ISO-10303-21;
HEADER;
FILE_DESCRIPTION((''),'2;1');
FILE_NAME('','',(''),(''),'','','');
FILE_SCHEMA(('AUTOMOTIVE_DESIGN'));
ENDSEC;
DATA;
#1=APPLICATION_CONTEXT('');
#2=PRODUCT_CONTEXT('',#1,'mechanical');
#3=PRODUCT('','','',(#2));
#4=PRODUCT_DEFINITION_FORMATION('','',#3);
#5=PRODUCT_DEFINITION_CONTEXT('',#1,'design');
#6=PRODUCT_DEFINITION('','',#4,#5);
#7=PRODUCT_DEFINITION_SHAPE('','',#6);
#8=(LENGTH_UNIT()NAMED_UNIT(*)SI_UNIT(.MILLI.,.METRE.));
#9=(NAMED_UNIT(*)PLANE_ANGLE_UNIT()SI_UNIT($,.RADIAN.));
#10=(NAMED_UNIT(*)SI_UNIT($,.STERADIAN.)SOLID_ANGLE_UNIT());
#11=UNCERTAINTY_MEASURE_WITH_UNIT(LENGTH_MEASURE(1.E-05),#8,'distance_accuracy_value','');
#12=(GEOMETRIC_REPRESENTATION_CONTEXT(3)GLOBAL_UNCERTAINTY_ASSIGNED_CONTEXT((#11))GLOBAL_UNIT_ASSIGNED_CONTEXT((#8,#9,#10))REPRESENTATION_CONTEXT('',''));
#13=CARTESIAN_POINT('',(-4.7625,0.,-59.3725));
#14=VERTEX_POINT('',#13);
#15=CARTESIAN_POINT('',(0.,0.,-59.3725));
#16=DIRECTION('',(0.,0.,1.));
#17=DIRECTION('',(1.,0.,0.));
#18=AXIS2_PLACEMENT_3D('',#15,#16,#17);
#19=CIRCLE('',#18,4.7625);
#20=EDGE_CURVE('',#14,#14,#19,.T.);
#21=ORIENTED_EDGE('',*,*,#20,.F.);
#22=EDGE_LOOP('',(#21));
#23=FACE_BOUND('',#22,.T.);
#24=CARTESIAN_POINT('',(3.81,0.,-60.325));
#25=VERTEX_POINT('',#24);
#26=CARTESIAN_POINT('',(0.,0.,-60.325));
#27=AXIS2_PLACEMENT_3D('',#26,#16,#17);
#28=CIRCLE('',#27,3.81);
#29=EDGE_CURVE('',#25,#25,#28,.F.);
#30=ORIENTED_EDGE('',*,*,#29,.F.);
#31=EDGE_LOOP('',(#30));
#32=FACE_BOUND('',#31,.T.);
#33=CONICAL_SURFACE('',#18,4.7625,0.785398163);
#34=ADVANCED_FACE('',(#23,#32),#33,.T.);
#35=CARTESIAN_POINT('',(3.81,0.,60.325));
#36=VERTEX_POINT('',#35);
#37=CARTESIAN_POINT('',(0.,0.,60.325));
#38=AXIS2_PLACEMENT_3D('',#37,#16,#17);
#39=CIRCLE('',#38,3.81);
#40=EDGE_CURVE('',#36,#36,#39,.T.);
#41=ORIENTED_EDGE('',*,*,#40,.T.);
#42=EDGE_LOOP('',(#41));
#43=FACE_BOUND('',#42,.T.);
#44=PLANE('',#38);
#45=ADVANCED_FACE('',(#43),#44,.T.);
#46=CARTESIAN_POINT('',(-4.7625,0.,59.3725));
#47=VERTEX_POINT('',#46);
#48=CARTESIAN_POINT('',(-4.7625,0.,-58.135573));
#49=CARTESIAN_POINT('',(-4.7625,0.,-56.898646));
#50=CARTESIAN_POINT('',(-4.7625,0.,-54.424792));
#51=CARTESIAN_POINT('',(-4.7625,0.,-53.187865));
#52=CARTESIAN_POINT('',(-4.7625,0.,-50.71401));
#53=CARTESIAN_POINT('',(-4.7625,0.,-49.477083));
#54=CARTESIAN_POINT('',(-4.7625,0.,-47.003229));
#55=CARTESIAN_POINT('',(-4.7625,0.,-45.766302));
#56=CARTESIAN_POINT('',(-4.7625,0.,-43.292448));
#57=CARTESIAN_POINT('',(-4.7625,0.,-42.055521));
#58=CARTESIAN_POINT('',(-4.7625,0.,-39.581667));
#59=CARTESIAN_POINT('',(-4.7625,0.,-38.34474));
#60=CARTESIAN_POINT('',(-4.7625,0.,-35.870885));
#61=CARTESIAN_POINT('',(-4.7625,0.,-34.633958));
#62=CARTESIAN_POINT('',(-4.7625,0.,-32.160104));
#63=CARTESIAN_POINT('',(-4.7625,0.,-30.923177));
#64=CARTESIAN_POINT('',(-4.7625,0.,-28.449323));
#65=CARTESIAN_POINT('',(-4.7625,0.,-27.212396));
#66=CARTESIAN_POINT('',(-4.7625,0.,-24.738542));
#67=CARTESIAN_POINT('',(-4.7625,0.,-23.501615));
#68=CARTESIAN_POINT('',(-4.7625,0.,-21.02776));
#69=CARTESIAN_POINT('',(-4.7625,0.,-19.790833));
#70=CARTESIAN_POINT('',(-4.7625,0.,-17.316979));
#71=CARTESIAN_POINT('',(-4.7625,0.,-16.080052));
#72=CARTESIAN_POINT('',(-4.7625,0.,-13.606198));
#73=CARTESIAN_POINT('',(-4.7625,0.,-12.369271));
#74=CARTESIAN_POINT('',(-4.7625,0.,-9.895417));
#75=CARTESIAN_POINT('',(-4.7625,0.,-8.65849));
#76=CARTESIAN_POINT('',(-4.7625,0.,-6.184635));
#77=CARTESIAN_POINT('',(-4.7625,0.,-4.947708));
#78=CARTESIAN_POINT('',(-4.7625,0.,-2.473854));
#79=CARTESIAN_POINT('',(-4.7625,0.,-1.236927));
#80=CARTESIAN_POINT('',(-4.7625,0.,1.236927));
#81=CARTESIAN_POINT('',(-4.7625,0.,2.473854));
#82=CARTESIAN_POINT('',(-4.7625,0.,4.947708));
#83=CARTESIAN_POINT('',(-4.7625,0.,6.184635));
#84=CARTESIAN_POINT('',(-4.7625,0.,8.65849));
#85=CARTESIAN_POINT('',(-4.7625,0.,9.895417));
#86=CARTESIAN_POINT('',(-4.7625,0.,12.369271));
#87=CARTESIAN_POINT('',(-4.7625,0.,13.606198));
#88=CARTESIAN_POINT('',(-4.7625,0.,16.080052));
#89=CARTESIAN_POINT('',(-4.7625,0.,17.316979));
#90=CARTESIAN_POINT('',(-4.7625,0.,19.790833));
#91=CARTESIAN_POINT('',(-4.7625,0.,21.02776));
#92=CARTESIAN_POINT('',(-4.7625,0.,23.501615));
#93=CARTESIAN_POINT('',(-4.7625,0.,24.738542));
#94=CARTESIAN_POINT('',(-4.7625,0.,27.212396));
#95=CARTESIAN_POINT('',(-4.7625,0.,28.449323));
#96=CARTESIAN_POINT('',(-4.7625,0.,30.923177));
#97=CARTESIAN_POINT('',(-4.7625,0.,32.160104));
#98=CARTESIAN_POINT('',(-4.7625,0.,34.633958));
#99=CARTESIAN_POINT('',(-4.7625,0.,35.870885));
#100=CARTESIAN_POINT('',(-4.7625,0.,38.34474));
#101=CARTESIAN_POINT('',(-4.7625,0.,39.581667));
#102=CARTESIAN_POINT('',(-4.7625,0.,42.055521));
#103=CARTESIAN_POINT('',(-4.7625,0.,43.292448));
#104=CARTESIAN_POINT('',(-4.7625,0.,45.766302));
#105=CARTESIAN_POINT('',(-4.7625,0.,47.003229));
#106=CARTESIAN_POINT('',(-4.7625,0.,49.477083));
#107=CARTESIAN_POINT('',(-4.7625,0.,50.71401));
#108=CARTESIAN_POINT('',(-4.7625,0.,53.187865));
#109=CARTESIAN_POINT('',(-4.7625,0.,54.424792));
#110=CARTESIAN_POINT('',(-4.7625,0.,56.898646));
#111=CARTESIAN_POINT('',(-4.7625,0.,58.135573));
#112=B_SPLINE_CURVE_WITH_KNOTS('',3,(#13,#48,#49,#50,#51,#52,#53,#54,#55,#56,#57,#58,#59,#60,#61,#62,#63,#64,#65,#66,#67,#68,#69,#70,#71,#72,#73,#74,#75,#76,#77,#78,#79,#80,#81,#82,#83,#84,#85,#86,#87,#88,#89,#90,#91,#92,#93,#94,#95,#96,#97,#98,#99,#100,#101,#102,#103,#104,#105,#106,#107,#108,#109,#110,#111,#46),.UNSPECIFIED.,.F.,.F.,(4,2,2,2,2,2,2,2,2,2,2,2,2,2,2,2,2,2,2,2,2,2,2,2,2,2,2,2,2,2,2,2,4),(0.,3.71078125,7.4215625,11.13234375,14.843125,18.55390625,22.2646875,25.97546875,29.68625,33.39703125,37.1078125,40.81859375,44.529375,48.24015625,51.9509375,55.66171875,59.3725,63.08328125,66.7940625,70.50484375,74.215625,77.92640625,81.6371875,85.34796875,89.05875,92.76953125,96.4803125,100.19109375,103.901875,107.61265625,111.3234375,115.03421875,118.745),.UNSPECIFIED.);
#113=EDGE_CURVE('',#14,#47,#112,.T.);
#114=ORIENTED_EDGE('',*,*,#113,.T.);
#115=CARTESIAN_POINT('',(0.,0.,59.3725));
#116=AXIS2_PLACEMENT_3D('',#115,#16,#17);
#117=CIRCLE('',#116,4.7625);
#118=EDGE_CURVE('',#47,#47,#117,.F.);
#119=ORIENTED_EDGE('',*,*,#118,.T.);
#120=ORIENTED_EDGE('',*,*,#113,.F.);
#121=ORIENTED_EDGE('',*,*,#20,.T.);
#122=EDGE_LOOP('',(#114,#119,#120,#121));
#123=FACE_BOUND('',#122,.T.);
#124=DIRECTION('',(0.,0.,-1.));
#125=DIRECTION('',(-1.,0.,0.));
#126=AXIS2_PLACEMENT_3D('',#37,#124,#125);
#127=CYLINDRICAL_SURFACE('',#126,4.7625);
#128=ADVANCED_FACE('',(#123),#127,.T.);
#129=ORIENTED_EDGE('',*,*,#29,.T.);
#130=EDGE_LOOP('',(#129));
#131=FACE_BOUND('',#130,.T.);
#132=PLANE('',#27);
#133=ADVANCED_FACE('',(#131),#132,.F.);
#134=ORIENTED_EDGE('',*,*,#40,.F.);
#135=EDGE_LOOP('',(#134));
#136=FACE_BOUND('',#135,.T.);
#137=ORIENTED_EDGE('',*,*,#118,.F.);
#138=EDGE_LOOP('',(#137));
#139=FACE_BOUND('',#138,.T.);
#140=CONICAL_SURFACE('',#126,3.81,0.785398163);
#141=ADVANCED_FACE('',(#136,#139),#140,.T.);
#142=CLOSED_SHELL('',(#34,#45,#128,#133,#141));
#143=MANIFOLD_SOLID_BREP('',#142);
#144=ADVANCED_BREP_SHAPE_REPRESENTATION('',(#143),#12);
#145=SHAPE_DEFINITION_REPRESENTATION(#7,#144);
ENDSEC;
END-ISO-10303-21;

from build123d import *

# Parameters (mm, degrees)
SKETCH3_R           = 4.7625
BOSS_EXTRUDE1_DEPTH = 60.325
CHAMFER1_SIZE       = 0.9525


with BuildPart() as part:
    # Sketch3 → Boss-Extrude1 (new, symmetric)
    with BuildSketch(Plane.XY):
        with Locations(Location((0, 0, 0), (0, 0, 180))):
            Circle(SKETCH3_R)
    extrude(amount=BOSS_EXTRUDE1_DEPTH, both=True)

    # Chamfer1
    chamfer1_edges = [part.edges().sort_by_distance(p)[0] for p in [
        (4.7625, 0, -60.325),
        (4.7625, 0, 60.325),
    ]]
    chamfer(chamfer1_edges, length=CHAMFER1_SIZE)


solid = part.part
